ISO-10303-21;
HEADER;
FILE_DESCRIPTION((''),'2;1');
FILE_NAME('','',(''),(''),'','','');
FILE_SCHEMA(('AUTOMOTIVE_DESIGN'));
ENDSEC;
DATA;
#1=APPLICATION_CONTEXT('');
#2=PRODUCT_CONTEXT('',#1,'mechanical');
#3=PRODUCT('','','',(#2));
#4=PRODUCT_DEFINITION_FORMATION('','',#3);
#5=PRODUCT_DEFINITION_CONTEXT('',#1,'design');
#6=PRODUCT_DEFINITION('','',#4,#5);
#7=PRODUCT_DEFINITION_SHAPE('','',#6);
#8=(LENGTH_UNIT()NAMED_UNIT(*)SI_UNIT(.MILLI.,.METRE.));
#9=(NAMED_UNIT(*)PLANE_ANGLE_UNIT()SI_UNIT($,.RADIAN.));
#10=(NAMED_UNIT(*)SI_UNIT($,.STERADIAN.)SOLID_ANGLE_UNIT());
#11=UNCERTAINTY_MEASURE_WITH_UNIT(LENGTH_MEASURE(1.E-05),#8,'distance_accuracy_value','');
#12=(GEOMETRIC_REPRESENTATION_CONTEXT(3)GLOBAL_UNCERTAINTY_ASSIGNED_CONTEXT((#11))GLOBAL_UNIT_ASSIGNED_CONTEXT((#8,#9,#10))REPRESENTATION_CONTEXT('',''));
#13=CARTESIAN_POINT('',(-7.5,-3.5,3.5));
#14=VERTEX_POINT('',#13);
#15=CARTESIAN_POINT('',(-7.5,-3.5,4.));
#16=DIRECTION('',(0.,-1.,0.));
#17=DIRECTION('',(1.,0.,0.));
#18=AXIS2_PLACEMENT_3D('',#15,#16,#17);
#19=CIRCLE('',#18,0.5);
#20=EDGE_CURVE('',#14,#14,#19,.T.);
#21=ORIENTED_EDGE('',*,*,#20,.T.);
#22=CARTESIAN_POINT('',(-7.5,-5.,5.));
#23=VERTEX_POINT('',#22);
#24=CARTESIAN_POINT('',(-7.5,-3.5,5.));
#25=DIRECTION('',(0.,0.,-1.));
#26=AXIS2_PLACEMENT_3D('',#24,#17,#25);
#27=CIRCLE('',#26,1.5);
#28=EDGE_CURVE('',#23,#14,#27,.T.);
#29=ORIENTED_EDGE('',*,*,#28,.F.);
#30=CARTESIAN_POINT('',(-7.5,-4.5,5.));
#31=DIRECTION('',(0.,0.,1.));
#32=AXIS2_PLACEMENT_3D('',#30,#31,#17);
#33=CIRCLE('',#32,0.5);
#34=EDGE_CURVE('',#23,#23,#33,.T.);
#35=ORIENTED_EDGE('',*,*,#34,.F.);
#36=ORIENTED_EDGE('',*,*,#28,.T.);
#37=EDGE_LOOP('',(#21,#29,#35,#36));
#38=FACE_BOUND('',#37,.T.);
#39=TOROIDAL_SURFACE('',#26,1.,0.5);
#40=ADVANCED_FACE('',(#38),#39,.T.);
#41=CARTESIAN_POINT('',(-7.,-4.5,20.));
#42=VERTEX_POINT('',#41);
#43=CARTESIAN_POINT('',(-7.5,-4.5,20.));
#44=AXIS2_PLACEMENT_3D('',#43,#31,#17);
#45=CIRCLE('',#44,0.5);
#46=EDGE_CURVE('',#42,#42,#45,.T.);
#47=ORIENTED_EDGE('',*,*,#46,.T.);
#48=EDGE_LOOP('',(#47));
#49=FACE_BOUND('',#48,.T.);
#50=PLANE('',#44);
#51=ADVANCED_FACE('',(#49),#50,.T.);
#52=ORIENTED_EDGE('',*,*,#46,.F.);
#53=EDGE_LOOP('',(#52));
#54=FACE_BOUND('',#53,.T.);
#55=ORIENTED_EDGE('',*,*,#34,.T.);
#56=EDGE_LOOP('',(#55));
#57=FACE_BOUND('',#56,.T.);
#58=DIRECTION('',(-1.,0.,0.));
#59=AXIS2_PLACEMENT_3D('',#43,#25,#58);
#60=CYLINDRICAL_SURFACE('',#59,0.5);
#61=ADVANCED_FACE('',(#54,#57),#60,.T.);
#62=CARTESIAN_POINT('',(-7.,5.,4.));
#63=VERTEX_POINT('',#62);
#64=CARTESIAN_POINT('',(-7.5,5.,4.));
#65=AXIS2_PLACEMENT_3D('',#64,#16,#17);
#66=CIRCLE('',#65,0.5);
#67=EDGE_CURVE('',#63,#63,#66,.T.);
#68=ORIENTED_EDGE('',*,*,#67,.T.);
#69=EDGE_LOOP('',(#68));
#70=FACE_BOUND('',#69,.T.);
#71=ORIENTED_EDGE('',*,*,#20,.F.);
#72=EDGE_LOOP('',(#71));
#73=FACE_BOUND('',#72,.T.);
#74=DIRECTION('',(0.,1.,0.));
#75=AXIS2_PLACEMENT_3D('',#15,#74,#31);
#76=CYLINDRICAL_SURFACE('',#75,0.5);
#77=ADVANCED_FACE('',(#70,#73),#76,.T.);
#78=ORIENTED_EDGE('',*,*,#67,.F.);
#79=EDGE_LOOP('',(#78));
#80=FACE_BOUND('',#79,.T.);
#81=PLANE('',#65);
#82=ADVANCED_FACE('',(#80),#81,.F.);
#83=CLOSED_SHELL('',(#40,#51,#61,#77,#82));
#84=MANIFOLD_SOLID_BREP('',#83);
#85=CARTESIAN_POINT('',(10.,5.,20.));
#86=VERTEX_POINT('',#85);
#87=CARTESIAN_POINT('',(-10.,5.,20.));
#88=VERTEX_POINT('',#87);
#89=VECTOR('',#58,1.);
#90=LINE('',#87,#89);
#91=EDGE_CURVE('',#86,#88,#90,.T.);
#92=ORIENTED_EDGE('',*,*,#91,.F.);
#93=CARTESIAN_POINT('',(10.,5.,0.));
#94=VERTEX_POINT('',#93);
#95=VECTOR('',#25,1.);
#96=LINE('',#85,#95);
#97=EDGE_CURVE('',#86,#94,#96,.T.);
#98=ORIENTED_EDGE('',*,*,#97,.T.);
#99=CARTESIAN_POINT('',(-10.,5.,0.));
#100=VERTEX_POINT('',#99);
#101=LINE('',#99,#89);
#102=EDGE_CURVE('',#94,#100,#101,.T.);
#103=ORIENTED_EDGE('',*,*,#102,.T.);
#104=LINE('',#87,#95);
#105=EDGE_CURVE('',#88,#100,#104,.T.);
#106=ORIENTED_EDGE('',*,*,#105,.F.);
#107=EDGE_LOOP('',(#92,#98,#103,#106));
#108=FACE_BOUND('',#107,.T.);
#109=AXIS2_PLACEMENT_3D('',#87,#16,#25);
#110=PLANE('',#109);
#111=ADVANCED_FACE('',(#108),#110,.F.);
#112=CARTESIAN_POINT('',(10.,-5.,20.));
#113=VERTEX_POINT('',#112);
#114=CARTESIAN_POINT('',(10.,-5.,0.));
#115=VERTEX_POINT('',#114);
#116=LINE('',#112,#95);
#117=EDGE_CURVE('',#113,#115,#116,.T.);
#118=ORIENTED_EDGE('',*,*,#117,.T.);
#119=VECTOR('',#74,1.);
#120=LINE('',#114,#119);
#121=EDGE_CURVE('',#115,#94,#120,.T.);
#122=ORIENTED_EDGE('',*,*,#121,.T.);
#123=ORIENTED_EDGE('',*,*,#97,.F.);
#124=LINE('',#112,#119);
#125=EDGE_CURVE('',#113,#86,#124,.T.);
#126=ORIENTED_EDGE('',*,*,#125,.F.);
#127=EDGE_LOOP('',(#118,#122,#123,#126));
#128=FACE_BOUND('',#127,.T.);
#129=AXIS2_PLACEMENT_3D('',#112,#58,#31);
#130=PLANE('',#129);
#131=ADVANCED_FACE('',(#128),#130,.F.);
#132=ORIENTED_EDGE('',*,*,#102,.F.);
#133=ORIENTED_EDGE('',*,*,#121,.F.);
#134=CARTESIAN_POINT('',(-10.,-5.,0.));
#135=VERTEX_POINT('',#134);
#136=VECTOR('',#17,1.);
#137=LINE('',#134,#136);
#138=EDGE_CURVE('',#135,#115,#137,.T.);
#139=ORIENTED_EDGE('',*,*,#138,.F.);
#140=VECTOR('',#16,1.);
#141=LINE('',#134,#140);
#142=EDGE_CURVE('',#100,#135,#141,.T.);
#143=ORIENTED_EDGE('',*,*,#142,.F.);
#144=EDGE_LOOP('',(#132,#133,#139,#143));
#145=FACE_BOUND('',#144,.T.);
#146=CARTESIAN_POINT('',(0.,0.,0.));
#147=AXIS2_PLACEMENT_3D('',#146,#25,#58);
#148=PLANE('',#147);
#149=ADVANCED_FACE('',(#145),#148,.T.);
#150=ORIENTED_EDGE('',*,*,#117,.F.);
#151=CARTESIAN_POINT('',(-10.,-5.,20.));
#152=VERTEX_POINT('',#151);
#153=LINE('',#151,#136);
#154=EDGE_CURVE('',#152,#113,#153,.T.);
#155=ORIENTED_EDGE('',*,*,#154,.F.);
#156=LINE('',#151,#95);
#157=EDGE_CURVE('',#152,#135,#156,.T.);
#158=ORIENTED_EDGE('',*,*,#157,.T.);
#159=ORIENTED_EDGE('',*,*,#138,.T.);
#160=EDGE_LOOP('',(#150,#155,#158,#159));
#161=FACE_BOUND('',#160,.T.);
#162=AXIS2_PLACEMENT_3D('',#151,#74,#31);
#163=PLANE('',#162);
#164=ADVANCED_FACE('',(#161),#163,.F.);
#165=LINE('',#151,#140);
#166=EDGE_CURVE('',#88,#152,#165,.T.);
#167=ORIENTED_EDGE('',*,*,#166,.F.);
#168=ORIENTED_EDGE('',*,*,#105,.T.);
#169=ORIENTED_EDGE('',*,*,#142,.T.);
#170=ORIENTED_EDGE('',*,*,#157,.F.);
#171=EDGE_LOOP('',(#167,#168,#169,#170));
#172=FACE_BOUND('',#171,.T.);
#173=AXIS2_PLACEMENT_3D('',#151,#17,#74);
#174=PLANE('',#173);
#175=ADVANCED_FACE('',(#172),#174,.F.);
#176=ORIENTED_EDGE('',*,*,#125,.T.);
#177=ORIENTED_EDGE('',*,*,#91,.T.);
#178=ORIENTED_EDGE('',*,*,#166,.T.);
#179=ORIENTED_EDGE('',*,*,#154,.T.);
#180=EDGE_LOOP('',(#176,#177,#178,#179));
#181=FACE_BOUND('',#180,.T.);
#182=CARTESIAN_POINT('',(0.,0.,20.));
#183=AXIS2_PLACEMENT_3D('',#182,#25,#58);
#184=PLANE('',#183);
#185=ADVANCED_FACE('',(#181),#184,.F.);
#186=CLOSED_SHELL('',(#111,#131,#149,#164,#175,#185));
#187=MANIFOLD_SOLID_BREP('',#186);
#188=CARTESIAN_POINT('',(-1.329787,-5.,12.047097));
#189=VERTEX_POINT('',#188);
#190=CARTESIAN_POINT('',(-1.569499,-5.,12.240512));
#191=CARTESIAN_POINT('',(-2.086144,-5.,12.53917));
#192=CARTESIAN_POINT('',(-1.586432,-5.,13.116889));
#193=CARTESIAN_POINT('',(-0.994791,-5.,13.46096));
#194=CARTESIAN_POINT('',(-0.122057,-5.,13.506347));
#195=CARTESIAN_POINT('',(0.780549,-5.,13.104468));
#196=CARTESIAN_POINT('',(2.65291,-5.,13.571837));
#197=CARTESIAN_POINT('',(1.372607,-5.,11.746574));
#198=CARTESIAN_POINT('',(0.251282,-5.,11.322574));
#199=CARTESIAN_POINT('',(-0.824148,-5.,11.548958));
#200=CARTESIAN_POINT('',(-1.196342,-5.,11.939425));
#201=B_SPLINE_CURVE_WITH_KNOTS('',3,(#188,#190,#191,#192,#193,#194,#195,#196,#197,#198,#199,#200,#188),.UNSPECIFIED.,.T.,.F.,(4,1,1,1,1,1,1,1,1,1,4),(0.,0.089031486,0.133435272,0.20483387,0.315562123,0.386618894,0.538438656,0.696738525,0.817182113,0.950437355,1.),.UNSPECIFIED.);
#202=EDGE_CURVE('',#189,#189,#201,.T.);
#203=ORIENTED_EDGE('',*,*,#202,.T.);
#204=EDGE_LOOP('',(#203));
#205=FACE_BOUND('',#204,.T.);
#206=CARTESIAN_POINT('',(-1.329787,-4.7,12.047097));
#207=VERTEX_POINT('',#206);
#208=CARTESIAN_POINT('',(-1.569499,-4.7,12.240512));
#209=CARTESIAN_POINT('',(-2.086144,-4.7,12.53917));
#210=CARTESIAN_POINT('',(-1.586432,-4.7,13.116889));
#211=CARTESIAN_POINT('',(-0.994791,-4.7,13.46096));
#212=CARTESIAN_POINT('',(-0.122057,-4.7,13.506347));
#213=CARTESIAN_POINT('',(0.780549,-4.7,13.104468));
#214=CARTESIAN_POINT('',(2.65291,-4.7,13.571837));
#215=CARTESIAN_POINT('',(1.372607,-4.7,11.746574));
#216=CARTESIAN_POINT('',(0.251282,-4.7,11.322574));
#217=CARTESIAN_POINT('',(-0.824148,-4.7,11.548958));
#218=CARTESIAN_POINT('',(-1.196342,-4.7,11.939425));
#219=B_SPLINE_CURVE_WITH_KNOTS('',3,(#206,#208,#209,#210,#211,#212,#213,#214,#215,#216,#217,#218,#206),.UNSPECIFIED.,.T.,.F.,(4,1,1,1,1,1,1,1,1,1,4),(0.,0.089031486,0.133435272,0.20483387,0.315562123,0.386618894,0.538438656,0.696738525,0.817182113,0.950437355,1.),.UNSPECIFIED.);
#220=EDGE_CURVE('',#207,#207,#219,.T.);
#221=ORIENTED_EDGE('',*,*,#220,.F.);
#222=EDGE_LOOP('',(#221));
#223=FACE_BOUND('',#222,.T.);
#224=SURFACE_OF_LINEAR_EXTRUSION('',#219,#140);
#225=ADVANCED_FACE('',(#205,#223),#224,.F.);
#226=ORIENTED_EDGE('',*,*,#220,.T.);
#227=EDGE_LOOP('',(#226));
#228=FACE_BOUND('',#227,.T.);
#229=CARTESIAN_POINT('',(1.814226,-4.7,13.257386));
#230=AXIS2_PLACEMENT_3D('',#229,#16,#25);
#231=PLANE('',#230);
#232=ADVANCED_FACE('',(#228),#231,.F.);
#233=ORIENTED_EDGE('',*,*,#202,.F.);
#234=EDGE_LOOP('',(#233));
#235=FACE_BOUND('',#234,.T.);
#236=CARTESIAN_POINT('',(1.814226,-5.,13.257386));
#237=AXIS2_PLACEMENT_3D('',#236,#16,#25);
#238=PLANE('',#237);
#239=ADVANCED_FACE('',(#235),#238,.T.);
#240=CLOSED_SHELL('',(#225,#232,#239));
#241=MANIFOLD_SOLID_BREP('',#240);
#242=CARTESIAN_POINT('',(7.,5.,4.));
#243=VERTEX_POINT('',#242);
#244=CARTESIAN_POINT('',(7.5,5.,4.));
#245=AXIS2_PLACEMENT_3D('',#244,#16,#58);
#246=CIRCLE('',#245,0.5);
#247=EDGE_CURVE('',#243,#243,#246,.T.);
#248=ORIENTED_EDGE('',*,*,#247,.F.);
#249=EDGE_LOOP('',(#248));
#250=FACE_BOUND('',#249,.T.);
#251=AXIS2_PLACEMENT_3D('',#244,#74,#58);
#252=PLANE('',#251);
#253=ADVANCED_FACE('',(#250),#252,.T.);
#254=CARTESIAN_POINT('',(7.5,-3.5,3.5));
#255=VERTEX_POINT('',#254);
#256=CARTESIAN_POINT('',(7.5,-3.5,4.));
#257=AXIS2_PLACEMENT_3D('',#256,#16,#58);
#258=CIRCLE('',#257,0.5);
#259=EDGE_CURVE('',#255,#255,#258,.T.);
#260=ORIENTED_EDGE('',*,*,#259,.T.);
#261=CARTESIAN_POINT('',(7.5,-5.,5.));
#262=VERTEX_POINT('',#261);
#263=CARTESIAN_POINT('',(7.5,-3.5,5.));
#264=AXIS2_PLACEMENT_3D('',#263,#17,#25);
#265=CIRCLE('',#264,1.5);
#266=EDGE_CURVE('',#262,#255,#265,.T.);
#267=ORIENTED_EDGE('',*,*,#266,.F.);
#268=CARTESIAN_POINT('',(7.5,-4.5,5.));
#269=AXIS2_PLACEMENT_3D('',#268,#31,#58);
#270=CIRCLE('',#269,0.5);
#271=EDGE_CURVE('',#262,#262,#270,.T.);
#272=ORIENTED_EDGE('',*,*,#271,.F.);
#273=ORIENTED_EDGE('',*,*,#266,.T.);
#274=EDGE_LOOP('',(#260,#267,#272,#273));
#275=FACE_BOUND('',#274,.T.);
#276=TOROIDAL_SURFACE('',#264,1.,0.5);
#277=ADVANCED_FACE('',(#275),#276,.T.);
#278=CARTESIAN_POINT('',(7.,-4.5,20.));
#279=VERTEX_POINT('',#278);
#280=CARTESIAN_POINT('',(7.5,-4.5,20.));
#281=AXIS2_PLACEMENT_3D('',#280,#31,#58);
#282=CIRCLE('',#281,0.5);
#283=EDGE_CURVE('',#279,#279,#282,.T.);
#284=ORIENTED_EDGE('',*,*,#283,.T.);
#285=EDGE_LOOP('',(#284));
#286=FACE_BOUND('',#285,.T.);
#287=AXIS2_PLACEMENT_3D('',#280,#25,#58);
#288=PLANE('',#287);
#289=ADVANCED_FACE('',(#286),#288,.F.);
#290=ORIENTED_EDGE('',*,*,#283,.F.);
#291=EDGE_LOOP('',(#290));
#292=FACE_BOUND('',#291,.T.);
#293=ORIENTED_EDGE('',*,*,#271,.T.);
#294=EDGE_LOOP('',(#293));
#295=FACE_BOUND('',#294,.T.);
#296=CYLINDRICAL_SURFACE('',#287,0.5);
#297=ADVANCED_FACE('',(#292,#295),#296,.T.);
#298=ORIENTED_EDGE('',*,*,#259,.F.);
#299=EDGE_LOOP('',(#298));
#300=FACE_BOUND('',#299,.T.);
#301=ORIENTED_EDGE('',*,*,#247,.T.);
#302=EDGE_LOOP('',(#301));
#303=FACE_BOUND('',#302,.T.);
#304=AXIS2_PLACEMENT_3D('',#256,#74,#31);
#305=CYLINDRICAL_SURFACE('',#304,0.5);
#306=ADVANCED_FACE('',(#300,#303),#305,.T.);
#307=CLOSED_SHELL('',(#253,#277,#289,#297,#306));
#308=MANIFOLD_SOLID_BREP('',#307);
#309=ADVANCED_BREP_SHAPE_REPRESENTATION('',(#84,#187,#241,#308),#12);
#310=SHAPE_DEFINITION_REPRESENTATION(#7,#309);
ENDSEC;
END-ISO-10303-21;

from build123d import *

# Parameters (mm, degrees)
SKETCH1_W           = 20
SKETCH1_H           = 10
BOSS_EXTRUDE1_DEPTH = 20
SKETCH2_R           = 0.5
SLICE_2_DEPTH       = 0.3


with BuildPart() as part:
    # Sketch1 → Boss-Extrude1 (new body)
    with BuildSketch(Plane.XY):
        Rectangle(SKETCH1_W, SKETCH1_H)
    extrude(amount=BOSS_EXTRUDE1_DEPTH)


with BuildPart() as body_2:
    # ag/agcl electrodes: sweep along a path in Sketch3
    with BuildLine(Plane(origin=(7.5, 0, 0), x_dir=(0, 0, -1), z_dir=(1, 0, 0))) as ag_agcl_electrodes_path:
        Line((-20, -4.5), (-5, -4.5))
        ThreePointArc((-5, -4.5), (-4.292893219, -4.207106781), (-4, -3.5))
        Line((-4, -3.5), (-4, 5))
    # Sketch2 → ag/agcl electrodes (sweep)
    with BuildSketch(Plane.XY.offset(20)):
        with Locations((-7.5, -4.5)):
            Circle(SKETCH2_R)
        with Locations((7.5, -4.5)):
            Circle(SKETCH2_R)
    sweep(path=ag_agcl_electrodes_path.line)


with BuildPart() as body_3:
    # Sketch4 → slice 2 (new body)
    with BuildSketch(Plane(origin=(0, -5, 0), x_dir=(1, 0, 0), z_dir=(0, 1, 0))):
        with BuildLine():
            add(Edge.make_bspline(
                [(-1.329786825, -12.04709664), (-1.196342031, -11.939424685), (-0.824147777, -11.548957834), (0.251281573, -11.322574475), (1.372606671, -11.746573561), (2.652909809, -13.571837262), (0.780549472, -13.104467787), (-0.122057097, -13.506347246), (-0.994791107, -13.460960152), (-1.586432094, -13.116889112), (-2.086144249, -12.539169772), (-1.569499382, -12.240512354), (-1.329786825, -12.04709664)],
                knots=[0, 0, 0, 0, 0.049562645, 0.182817887, 0.303261475, 0.461561344, 0.613381106, 0.684437877, 0.79516613, 0.866564728, 0.910968514, 1, 1, 1, 1], degree=3))
        make_face()
    extrude(amount=SLICE_2_DEPTH)


solid = Compound([part.part, body_2.part, body_3.part])
